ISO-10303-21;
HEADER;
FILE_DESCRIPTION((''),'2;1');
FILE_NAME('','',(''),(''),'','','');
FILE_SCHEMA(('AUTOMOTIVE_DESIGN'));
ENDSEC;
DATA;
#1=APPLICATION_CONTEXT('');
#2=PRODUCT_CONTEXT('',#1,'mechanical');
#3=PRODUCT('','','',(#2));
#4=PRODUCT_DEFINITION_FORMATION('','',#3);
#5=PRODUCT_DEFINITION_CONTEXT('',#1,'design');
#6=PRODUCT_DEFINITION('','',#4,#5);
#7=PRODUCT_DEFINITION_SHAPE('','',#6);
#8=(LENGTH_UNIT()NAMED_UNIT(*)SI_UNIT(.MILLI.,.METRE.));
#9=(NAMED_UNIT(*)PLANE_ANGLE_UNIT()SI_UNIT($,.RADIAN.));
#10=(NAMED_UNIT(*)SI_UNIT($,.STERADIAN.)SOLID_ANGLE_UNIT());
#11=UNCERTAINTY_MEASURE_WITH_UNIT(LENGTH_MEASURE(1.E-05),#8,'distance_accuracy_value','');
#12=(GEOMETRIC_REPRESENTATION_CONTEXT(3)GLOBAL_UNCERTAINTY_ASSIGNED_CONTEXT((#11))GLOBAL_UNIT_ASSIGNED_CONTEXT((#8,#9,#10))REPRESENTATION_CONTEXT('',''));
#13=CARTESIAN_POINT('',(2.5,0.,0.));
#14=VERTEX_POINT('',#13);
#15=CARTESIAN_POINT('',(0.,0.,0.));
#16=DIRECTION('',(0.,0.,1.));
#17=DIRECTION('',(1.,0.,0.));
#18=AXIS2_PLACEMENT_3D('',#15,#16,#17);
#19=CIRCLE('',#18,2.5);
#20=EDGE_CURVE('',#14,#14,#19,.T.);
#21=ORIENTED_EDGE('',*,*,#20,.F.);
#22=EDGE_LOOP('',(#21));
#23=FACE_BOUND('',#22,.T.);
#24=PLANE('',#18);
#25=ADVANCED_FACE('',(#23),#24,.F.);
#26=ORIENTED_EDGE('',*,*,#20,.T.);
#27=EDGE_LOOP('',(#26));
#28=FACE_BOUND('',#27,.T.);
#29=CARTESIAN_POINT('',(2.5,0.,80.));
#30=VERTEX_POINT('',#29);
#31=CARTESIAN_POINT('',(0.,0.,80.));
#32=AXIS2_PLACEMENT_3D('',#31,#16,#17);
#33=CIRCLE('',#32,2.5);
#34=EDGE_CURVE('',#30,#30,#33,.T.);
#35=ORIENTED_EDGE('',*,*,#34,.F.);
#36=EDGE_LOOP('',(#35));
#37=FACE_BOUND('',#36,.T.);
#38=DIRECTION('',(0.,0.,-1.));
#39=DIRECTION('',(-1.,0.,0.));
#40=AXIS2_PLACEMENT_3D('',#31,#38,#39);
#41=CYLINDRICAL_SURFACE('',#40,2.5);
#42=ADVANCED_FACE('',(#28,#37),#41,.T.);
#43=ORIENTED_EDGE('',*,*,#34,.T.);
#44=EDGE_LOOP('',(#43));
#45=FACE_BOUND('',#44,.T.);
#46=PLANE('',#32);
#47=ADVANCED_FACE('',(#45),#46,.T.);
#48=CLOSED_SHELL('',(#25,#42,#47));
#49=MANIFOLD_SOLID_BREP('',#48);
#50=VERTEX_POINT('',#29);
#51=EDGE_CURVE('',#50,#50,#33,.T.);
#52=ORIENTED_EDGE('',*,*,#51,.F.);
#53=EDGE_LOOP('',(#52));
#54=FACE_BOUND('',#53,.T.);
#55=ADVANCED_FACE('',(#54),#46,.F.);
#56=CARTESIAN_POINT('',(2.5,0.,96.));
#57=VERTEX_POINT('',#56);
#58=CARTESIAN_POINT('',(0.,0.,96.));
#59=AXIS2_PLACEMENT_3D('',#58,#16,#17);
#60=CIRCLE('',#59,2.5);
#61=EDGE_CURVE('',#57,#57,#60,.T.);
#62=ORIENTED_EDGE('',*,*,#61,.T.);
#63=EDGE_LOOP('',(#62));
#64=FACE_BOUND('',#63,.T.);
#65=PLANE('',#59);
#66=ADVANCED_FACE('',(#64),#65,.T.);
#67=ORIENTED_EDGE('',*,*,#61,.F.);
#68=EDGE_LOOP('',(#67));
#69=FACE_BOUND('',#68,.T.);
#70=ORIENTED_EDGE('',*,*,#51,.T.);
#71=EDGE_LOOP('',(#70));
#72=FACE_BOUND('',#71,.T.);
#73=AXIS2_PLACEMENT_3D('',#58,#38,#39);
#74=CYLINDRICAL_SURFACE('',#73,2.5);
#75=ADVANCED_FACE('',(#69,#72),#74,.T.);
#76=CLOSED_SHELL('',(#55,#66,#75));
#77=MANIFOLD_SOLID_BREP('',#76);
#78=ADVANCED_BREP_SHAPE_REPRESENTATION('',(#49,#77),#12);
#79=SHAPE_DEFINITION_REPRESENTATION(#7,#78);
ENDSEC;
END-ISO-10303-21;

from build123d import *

# Parameters (mm, degrees)
SKETCH_1_R      = 2.5
EXTRUDE_1_DEPTH = 80
SKETCH_2_R      = 2.5
EXTRUDE_2_DEPTH = 16


with BuildPart() as part:
    # 草图1 → 凸台-拉伸1 (new body)
    with BuildSketch(Plane.XY):
        Circle(SKETCH_1_R)
    extrude(amount=EXTRUDE_1_DEPTH)


with BuildPart() as body_2:
    # 草图2 → 凸台-拉伸2 (new body)
    with BuildSketch(Plane.XY.offset(80)):
        Circle(SKETCH_2_R)
    extrude(amount=EXTRUDE_2_DEPTH)


solid = Compound([part.part, body_2.part])
